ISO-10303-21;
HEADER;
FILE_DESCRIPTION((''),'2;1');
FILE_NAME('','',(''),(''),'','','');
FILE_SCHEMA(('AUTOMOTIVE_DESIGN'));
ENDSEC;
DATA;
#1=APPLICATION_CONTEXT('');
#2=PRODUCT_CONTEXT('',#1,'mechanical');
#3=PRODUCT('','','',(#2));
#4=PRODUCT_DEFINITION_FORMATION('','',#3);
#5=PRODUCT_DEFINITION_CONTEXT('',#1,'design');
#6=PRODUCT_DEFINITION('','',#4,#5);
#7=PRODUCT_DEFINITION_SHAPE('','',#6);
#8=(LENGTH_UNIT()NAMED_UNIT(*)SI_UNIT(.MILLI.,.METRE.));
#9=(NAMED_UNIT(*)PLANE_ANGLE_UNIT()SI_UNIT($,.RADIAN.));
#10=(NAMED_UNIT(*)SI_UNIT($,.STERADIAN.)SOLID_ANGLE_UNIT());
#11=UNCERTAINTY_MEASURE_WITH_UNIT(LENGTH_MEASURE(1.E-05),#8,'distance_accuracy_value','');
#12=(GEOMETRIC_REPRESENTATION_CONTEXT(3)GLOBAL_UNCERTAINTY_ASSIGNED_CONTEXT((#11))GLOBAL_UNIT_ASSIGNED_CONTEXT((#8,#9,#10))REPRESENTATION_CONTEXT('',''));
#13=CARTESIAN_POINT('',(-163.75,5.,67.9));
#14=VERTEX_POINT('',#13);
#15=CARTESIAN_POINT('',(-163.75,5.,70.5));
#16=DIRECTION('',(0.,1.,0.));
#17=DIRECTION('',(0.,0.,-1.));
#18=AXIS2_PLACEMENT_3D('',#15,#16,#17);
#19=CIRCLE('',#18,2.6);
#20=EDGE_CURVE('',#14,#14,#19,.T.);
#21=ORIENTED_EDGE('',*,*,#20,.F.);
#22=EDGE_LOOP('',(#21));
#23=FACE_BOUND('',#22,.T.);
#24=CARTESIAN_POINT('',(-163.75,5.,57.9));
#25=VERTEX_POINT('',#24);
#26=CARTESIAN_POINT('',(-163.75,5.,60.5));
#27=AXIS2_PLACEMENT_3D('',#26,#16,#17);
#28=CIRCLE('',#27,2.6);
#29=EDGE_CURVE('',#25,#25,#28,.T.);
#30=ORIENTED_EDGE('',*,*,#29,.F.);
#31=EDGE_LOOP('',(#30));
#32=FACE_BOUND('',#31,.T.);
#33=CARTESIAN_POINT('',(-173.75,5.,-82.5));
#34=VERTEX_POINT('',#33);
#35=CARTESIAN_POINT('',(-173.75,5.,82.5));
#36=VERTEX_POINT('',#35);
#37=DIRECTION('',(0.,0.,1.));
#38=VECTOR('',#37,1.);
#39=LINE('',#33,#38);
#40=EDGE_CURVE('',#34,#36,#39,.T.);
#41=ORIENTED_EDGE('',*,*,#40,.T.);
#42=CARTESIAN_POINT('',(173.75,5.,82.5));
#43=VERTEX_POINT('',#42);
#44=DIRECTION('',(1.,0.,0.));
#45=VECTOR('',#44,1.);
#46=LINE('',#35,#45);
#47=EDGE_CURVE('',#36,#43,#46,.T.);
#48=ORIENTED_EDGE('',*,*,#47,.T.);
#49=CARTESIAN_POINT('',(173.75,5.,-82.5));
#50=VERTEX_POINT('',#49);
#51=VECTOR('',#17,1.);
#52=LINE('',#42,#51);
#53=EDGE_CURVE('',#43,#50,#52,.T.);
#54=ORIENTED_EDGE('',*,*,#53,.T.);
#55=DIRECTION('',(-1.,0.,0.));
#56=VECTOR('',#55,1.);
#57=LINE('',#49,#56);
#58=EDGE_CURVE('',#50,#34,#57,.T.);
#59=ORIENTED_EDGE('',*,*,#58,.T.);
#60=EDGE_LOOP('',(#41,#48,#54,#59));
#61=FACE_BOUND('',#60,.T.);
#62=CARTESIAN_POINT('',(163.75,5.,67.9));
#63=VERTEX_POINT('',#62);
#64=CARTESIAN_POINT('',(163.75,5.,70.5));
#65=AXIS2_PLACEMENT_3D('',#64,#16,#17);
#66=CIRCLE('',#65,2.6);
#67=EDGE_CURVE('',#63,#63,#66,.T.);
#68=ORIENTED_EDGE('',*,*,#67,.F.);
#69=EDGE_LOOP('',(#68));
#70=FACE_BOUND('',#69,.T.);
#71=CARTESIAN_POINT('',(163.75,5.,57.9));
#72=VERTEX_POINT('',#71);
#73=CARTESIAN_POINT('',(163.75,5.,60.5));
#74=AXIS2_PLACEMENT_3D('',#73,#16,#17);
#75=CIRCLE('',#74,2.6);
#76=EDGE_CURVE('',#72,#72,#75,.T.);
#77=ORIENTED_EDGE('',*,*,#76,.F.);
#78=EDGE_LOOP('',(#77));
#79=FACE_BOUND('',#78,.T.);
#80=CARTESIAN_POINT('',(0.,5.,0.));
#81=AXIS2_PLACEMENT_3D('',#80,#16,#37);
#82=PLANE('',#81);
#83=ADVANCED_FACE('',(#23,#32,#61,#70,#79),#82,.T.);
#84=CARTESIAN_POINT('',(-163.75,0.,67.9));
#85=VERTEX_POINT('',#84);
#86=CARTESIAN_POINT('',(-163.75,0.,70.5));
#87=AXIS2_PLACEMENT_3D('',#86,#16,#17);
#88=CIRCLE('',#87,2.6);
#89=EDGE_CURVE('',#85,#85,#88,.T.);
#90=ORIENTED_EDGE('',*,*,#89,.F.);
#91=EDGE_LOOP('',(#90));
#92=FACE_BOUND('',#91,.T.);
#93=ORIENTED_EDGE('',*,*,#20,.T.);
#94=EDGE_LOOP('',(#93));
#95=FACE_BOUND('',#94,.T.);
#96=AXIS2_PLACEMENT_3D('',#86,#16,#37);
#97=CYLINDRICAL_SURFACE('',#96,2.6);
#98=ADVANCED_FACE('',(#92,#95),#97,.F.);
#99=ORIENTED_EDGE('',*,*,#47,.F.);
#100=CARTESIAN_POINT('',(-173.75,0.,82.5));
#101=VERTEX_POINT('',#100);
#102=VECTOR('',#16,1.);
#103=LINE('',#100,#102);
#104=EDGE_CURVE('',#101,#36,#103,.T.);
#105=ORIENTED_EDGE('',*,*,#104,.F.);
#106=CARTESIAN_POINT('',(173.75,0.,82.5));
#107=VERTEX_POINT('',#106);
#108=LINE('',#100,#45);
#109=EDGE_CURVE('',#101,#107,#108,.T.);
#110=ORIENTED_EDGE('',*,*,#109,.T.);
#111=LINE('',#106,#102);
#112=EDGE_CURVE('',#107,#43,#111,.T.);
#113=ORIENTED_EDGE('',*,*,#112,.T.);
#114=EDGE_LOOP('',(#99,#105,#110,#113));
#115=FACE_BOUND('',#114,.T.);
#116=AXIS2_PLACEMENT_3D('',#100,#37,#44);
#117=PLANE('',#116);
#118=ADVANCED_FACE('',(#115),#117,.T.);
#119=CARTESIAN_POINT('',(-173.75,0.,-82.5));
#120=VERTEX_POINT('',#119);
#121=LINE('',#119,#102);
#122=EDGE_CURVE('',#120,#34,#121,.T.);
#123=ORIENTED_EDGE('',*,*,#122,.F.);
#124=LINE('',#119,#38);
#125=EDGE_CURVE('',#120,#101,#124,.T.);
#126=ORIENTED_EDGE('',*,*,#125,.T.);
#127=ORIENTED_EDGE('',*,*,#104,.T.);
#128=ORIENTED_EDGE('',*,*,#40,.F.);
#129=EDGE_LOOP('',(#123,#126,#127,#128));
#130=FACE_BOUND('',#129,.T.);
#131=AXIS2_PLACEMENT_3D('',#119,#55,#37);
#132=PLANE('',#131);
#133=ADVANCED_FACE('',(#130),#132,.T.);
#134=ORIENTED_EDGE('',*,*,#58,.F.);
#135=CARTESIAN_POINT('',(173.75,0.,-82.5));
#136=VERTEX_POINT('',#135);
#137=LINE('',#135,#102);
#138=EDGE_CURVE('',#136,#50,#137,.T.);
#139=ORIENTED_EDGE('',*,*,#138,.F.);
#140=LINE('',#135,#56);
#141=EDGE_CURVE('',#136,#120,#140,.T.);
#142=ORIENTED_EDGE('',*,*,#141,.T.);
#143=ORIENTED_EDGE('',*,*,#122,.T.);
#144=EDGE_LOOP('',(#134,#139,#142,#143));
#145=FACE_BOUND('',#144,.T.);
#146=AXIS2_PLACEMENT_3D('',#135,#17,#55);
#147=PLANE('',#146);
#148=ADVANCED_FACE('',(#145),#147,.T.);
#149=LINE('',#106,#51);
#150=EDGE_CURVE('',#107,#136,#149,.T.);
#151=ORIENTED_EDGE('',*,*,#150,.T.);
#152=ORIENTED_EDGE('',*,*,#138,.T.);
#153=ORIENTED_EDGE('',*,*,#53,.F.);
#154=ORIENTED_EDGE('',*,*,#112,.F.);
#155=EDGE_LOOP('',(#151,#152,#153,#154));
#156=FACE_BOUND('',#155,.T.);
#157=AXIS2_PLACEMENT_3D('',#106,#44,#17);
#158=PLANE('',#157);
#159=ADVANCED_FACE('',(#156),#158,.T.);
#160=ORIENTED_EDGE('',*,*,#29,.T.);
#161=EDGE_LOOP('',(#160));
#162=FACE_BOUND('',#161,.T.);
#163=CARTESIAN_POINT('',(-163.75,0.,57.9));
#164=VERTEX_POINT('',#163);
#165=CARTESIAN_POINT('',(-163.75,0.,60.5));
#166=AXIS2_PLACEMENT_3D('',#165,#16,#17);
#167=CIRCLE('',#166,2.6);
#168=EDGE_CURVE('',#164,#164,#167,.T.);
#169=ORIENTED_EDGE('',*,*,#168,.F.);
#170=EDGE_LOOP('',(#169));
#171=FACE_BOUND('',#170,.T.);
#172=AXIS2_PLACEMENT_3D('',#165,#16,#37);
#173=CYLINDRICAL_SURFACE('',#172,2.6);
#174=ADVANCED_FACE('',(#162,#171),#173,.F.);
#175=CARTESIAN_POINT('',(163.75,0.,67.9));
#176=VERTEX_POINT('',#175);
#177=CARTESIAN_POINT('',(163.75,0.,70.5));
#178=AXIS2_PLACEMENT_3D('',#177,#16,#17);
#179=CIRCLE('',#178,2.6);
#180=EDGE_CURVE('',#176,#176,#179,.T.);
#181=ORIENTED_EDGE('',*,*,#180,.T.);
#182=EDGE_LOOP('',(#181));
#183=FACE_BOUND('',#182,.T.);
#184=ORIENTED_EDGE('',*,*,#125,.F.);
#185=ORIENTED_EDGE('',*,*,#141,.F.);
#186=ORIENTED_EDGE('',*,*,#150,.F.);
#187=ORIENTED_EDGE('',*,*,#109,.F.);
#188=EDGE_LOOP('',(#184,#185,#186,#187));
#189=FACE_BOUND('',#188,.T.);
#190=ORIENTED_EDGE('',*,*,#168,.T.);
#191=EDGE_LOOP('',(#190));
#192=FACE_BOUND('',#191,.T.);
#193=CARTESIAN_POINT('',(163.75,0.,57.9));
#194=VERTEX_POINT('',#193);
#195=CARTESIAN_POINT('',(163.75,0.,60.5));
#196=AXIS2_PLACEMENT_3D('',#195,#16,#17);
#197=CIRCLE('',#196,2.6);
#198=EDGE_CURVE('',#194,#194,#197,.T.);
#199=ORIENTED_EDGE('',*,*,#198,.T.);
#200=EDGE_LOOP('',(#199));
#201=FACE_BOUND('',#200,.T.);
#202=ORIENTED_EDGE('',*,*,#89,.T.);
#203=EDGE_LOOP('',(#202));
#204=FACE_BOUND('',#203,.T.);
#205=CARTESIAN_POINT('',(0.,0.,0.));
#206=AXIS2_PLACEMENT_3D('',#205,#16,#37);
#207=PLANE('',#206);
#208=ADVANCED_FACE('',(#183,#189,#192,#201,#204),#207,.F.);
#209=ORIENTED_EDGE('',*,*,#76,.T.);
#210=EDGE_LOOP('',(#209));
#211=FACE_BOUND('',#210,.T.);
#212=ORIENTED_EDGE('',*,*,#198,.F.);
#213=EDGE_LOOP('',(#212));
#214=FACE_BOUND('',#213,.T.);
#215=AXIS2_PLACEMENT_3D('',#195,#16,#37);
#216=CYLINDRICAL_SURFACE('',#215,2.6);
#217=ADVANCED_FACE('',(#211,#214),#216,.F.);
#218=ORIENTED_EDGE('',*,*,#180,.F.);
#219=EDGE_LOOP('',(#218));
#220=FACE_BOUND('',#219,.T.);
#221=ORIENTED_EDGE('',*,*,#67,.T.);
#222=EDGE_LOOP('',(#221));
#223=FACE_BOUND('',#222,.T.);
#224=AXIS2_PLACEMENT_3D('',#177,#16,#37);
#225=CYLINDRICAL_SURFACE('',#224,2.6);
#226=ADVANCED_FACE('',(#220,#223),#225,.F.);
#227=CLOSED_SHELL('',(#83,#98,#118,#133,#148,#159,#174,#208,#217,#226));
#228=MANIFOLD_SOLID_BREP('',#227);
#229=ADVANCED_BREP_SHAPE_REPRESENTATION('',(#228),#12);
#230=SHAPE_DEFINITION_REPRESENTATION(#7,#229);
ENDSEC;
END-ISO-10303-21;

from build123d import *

# Parameters (mm, degrees)
SKETCH_1_W      = 347.5
SKETCH_1_H      = 165
SKETCH_1_R      = 2.6
EXTRUDE_1_DEPTH = 5


with BuildPart() as part:
    # 草图1 → 凸台-拉伸1 (new body)
    with BuildSketch(Plane(origin=(0, 5, 0), x_dir=(1, 0, 0), z_dir=(0, 1, 0))):
        Rectangle(SKETCH_1_W, SKETCH_1_H)
        with Locations(Location((-163.75, -70.5, 0), (0, 0, 90))):
            Circle(SKETCH_1_R, mode=Mode.SUBTRACT)
        with Locations(Location((-163.75, -60.5, 0), (0, 0, 90))):
            Circle(SKETCH_1_R, mode=Mode.SUBTRACT)
        with Locations(Location((163.75, -60.5, 0), (0, 0, 90))):
            Circle(SKETCH_1_R, mode=Mode.SUBTRACT)
        with Locations(Location((163.75, -70.5, 0), (0, 0, 90))):
            Circle(SKETCH_1_R, mode=Mode.SUBTRACT)
    extrude(amount=-EXTRUDE_1_DEPTH)


solid = part.part
